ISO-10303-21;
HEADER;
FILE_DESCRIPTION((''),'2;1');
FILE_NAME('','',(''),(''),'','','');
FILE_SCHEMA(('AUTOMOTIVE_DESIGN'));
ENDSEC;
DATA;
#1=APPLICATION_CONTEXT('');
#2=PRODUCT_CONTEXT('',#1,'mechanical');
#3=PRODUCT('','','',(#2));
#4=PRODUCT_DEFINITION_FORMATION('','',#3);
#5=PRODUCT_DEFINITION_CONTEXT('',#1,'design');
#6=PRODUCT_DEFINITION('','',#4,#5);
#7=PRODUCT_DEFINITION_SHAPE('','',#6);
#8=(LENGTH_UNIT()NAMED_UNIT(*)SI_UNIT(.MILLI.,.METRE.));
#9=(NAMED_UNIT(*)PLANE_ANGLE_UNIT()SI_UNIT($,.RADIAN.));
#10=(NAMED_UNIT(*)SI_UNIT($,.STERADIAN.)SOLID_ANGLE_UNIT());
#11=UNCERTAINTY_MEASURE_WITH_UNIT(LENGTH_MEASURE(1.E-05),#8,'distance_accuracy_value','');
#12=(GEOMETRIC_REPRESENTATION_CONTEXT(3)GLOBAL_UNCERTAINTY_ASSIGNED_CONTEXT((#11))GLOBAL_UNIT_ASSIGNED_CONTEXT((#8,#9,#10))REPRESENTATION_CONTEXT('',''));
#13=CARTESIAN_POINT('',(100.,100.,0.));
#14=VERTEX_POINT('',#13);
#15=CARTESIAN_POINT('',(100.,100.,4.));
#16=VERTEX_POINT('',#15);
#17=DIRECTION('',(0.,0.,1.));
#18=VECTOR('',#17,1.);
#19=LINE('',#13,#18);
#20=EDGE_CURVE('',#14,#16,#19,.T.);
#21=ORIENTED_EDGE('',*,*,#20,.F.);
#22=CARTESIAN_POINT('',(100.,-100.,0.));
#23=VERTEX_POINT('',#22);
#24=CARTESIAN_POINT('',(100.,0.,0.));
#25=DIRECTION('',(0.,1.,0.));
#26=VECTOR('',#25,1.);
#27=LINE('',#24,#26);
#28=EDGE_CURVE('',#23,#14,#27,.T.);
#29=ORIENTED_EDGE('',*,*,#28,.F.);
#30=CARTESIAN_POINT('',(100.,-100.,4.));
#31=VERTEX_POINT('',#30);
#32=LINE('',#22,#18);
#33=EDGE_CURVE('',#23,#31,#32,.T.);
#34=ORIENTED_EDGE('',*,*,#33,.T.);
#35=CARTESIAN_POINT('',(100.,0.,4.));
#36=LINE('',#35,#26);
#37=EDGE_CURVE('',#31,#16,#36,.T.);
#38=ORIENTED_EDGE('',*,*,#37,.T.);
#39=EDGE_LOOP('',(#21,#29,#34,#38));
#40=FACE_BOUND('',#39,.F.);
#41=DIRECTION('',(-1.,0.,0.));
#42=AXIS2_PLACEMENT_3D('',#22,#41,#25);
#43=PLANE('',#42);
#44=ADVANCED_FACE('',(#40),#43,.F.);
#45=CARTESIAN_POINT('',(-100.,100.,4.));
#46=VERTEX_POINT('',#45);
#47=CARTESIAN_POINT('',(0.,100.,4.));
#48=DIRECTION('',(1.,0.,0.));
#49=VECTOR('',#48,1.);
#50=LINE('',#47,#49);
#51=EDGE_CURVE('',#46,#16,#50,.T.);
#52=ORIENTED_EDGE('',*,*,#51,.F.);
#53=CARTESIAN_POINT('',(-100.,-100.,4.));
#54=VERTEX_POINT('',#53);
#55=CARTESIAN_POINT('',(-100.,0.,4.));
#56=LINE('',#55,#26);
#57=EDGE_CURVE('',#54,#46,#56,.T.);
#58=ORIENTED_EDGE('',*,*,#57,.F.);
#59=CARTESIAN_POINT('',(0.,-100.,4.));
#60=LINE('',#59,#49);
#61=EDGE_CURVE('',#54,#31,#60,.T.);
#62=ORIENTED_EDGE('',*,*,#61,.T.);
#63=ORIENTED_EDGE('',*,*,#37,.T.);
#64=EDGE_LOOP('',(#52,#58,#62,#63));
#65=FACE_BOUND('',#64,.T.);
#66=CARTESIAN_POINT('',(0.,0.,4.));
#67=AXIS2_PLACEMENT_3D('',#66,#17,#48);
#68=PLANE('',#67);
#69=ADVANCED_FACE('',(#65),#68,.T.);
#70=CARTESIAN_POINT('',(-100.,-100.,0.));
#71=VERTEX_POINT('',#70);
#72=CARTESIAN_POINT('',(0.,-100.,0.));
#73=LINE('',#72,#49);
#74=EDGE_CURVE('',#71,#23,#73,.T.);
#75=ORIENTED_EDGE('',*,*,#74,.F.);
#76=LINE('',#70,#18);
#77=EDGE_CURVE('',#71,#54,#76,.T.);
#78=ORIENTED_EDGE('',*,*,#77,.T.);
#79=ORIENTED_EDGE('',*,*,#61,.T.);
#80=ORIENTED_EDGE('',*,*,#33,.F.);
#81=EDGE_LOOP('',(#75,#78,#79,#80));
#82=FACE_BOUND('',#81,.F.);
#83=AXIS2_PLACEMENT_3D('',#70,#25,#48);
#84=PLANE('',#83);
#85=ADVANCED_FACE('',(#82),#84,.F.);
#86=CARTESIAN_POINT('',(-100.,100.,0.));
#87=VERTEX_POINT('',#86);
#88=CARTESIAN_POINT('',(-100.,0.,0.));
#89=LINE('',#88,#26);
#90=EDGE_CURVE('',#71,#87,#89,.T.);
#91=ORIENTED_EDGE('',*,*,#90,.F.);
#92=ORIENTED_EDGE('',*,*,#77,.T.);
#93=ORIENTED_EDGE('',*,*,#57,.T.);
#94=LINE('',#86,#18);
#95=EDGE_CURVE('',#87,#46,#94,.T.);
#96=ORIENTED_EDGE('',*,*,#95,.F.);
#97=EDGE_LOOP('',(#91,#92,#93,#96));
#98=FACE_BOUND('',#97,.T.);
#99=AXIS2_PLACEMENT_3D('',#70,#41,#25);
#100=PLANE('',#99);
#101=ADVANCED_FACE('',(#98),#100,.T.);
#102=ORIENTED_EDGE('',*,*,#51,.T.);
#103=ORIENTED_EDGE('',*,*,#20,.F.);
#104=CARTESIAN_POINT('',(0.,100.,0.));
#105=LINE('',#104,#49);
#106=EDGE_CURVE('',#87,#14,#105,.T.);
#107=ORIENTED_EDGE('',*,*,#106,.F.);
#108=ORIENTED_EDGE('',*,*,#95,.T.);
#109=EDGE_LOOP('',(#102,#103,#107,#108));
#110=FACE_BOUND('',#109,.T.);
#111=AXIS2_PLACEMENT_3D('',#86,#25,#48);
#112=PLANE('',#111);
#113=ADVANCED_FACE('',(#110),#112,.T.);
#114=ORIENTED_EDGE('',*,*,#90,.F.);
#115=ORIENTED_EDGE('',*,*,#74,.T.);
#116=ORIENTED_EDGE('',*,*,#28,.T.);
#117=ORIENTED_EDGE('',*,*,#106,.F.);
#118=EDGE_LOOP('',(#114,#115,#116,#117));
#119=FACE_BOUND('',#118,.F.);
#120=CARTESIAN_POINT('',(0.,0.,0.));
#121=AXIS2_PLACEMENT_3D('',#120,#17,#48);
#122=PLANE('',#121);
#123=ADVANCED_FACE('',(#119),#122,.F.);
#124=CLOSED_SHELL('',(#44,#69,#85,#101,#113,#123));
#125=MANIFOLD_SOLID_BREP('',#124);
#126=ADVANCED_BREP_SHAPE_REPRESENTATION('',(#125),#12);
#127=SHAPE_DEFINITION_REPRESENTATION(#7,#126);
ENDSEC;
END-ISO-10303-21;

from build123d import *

# Parameters (mm, degrees)
BOX_GLASS_W     = 200
BOX_GLASS_H     = 200
BOX_GLASS_DEPTH = 4


with BuildPart() as part:
    # Box_Glass → Box_Glass (new body)
    with BuildSketch(Plane(origin=(-100, -100, 0), x_dir=(1, 0, 0), z_dir=(0, 0, 1))):
        with Locations((100, 100)):
            Rectangle(BOX_GLASS_W, BOX_GLASS_H)
    extrude(amount=BOX_GLASS_DEPTH)


solid = part.part
